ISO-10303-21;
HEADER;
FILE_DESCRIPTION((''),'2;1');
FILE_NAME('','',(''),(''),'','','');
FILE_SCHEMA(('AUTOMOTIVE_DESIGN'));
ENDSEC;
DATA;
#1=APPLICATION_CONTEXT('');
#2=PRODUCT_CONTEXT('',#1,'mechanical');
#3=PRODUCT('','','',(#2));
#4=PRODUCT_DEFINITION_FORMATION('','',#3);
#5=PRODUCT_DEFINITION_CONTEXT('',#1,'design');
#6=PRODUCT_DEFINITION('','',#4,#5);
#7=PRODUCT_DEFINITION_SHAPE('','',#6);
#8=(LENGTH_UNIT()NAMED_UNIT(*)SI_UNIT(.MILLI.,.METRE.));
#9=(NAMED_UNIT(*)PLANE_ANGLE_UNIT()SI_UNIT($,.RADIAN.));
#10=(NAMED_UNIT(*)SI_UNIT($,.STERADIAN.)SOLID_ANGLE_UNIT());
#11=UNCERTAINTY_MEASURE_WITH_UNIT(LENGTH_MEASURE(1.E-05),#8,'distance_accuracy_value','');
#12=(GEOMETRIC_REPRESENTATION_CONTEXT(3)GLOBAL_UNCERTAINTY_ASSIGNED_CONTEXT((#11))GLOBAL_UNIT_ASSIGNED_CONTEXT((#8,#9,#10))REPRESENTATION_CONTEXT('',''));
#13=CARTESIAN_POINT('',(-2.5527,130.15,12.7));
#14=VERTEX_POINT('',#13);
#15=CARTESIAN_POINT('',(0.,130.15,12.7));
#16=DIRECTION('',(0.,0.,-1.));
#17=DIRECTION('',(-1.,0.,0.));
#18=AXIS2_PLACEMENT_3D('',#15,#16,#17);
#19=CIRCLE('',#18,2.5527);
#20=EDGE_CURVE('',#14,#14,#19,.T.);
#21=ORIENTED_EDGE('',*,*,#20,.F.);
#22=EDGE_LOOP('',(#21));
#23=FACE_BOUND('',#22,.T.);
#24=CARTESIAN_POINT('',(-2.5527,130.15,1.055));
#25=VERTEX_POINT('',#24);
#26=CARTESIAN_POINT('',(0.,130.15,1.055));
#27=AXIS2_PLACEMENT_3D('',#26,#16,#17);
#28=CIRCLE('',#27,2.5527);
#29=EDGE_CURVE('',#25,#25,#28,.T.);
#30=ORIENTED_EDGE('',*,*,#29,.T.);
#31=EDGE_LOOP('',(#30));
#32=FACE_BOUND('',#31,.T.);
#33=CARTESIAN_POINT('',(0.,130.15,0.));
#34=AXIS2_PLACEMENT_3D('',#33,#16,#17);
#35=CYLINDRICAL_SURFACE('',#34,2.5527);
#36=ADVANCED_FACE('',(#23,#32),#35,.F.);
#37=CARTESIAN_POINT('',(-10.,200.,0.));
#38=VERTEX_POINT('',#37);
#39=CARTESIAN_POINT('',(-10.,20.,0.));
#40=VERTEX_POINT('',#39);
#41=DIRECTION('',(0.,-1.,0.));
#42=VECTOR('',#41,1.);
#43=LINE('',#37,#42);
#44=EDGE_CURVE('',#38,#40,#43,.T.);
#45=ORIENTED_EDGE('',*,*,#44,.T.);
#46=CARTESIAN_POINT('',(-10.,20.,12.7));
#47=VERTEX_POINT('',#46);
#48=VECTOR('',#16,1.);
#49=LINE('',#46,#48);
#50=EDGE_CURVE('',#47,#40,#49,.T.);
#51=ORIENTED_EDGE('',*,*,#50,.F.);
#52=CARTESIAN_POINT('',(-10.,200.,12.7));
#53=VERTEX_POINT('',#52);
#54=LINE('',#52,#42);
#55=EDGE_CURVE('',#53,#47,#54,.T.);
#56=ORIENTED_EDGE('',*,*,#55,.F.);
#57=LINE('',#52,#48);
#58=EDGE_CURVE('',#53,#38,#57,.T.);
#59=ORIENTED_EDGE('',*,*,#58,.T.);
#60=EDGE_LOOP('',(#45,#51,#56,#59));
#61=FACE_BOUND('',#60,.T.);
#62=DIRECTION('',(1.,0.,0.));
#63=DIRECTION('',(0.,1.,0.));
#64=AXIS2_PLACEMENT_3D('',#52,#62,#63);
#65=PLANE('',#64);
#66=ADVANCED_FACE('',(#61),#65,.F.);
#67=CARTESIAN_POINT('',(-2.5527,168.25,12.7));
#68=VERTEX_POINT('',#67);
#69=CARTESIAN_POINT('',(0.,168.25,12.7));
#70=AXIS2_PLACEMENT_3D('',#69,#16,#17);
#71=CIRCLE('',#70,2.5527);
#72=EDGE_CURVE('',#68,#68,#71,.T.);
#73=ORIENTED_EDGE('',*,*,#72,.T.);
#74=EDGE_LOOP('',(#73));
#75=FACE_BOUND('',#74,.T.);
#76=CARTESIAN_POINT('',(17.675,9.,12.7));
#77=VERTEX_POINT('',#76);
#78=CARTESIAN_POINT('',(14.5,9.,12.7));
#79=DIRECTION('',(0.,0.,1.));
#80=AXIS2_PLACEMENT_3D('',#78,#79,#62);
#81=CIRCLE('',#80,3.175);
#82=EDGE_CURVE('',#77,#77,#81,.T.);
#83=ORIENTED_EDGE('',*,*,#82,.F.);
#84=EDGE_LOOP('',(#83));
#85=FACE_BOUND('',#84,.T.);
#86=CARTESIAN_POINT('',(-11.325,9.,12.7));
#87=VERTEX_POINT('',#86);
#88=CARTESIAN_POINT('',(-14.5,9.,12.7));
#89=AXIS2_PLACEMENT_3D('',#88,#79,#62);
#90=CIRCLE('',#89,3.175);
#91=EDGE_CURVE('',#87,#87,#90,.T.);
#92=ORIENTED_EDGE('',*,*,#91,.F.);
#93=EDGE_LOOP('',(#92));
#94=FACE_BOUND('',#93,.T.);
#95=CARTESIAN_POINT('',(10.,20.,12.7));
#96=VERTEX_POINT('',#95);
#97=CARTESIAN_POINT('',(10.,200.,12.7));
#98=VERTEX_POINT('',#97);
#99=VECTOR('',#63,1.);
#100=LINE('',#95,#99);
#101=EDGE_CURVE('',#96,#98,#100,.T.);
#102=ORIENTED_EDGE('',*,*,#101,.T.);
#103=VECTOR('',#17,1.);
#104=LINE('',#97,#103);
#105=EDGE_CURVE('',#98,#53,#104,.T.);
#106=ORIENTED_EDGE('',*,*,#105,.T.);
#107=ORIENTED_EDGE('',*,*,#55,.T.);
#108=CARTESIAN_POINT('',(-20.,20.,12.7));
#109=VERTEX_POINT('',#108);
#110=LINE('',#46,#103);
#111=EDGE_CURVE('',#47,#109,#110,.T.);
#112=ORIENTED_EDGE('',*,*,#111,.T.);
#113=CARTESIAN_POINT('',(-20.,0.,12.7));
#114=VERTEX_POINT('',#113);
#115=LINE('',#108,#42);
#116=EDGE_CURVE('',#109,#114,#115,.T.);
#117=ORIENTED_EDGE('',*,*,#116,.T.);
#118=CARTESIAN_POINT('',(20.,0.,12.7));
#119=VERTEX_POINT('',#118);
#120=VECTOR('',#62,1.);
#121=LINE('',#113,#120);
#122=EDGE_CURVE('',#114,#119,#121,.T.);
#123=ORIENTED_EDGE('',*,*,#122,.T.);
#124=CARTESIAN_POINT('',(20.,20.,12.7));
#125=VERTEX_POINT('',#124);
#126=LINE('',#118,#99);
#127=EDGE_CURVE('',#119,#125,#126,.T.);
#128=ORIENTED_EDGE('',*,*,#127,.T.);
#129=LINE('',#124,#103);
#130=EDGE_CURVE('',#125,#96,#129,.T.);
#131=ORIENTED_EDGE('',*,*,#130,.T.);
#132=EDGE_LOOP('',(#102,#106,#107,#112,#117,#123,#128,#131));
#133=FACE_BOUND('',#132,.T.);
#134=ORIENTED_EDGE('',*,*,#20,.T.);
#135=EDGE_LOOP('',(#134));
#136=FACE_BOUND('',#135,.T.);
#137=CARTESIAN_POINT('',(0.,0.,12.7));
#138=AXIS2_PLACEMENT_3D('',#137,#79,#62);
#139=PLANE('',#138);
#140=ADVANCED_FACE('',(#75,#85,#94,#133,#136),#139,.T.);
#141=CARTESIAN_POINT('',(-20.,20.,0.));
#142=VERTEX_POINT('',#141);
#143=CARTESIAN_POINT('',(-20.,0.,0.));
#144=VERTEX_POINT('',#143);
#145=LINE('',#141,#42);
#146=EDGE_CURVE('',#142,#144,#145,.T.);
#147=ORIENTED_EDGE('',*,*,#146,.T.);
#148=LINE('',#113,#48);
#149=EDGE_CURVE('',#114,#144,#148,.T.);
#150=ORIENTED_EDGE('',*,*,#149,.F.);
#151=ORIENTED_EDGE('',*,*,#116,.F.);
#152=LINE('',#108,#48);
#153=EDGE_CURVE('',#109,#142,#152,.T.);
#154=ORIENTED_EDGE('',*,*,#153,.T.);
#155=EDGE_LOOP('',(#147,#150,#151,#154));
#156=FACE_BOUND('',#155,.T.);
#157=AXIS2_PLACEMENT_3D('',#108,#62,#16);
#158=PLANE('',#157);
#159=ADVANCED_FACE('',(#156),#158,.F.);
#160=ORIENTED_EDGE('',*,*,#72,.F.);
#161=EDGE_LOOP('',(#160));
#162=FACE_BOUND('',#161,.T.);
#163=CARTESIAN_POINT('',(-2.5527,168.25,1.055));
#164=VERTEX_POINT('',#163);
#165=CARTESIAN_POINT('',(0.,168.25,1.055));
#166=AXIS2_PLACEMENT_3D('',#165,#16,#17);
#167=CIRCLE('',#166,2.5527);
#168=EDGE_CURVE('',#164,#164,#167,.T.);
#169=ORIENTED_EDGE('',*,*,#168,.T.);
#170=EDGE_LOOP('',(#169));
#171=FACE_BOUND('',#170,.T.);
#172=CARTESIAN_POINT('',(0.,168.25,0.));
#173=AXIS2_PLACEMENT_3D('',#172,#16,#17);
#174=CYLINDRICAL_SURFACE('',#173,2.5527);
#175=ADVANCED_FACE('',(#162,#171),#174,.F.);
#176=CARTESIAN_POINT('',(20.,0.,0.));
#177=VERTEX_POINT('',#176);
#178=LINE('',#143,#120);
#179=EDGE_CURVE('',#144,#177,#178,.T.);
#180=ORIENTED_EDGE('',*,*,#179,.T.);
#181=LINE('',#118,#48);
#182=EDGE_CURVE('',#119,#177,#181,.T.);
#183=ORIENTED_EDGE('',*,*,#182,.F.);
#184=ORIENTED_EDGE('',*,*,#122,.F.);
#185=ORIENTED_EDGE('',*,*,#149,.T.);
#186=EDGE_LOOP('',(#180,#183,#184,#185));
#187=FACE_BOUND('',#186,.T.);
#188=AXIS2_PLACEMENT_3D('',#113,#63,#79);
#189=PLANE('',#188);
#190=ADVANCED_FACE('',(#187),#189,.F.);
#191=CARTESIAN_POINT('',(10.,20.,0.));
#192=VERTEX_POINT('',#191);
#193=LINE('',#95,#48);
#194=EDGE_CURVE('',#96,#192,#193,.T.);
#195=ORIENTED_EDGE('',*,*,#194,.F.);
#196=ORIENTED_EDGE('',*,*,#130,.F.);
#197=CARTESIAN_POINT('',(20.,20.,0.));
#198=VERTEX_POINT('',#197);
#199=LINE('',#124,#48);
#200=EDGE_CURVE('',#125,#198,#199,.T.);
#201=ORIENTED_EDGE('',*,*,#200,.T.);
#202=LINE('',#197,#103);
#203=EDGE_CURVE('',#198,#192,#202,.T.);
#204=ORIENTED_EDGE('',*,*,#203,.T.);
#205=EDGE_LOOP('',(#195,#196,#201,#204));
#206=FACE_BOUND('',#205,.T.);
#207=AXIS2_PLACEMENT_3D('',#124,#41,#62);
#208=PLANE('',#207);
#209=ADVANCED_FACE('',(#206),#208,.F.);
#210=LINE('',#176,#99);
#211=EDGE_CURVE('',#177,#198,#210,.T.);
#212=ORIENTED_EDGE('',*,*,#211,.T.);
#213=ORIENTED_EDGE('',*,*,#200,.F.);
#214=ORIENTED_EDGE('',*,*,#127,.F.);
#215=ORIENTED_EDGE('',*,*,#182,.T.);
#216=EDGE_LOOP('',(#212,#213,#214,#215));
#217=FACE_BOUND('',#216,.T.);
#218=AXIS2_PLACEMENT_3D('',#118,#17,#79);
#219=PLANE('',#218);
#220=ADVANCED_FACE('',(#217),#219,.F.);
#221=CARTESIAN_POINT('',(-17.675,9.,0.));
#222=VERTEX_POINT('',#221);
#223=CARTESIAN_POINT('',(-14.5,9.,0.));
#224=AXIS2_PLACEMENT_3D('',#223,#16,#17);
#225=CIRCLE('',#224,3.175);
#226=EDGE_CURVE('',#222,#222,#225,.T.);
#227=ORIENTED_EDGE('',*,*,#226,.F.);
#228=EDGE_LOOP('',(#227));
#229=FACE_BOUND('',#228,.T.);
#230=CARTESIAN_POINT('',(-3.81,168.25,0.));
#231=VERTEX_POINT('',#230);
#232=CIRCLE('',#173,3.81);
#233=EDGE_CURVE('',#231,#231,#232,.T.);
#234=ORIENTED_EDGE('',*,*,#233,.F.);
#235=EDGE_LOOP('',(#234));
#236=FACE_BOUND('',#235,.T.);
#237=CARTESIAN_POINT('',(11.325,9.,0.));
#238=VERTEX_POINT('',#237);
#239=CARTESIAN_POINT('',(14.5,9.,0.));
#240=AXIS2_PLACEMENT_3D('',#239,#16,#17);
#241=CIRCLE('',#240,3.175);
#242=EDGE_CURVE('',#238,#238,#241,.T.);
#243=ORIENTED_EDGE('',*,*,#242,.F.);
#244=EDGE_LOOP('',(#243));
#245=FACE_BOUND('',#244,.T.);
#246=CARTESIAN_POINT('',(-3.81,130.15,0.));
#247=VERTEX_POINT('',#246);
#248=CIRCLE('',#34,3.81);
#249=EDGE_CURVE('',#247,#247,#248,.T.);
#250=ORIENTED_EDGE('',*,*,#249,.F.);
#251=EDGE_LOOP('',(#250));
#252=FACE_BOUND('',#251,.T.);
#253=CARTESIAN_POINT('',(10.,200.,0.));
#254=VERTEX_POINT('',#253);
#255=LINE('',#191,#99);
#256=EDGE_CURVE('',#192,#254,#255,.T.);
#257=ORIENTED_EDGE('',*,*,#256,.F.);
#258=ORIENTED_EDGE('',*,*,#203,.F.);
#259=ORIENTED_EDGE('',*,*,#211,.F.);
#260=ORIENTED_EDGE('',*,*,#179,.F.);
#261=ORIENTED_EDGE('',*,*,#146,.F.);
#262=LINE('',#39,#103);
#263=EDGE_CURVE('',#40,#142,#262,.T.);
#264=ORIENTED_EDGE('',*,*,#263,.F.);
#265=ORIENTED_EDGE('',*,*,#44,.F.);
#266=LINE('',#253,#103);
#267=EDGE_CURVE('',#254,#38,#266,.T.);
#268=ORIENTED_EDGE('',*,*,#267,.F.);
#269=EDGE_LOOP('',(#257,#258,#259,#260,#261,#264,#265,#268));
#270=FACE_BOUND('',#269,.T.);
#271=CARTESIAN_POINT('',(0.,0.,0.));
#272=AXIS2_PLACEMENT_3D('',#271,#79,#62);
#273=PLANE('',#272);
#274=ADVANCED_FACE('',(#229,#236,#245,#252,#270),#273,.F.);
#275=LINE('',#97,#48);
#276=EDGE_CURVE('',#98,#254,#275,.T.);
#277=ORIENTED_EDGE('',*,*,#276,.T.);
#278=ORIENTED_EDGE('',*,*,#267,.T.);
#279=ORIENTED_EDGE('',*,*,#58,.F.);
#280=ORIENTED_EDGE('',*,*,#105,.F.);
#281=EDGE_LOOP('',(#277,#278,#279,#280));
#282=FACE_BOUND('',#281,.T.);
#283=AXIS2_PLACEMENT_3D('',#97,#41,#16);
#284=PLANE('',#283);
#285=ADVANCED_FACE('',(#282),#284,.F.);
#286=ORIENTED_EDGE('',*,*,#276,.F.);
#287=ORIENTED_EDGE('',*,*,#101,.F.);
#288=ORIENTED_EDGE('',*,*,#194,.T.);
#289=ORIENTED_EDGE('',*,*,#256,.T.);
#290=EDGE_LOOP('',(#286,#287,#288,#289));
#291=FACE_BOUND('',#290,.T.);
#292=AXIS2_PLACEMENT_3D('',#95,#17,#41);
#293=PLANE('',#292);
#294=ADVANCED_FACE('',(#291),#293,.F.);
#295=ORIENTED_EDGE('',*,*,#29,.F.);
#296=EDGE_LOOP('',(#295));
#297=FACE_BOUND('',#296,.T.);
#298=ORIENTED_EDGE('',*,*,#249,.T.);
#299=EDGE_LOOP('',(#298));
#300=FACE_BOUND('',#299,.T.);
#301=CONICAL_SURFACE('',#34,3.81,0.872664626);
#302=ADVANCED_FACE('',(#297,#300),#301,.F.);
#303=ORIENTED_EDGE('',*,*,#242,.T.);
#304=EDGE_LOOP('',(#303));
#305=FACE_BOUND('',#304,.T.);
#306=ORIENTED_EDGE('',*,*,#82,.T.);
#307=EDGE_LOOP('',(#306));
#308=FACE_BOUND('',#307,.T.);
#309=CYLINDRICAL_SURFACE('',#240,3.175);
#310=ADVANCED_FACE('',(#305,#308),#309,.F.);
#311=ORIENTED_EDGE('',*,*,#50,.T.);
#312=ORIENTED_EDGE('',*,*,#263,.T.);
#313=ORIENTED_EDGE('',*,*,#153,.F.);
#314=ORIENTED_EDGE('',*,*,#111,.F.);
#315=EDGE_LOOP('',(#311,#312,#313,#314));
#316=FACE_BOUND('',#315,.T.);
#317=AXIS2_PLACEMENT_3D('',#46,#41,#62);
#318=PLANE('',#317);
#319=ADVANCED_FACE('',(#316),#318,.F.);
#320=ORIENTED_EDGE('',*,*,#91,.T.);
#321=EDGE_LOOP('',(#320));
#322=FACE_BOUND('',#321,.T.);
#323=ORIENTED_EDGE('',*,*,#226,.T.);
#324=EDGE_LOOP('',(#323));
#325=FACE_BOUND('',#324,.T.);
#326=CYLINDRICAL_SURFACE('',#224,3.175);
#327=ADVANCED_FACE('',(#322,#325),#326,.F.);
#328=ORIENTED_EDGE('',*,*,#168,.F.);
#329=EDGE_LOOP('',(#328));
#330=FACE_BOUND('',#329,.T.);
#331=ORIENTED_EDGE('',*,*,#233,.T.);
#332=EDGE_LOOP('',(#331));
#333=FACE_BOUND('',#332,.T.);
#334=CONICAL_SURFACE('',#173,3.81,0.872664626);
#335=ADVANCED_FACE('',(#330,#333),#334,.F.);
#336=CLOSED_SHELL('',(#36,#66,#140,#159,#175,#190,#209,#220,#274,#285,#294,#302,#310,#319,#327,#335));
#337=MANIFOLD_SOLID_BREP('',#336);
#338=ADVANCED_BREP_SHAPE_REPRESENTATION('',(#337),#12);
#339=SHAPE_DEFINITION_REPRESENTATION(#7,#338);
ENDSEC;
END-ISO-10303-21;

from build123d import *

# Parameters (mm, degrees)
BOSS_EXTRUDE1_DEPTH               = 12.7
F_1_4_20_TAPPED_HOLE1_D           = 5.1054
F_1_4_20_TAPPED_HOLE1_CSINK_D     = 7.62
F_1_4_20_TAPPED_HOLE1_CSINK_ANGLE = 100
F_1_4_0_25_DIAMETER_HOLE1_D       = 6.35
F_1_4_0_25_DIAMETER_HOLE1_DEPTH   = 19.05
F_1_4_0_25_DIAMETER_HOLE1_TIP     = 1.907732465


with BuildPart() as part:
    # Sketch1 → Boss-Extrude1 (new body)
    with BuildSketch(Plane.XY):
        Polygon((-20, 0), (20, 0), (20, 20), (10, 20), (10, 200), (-10, 200), (-10, 20), (-20, 20), align=None)
    extrude(amount=BOSS_EXTRUDE1_DEPTH)

    # 1/4-20 Tapped Hole1 (through all)
    with Locations(Plane(origin=(0, 0, 0), x_dir=(-1, 0, 0), z_dir=(0, 0, -1))):
        with Locations((0, 168.25), (0, 130.15)):
            CounterSinkHole(F_1_4_20_TAPPED_HOLE1_D / 2, F_1_4_20_TAPPED_HOLE1_CSINK_D / 2, counter_sink_angle=F_1_4_20_TAPPED_HOLE1_CSINK_ANGLE)

    # 1/4 (0.25) Diameter Hole1
    with Locations(Plane(origin=(0, 0, 0), x_dir=(-1, 0, 0), z_dir=(0, 0, -1))):
        with Locations((14.5, 9), (-14.5, 9)):
            Hole(F_1_4_0_25_DIAMETER_HOLE1_D / 2, depth=F_1_4_0_25_DIAMETER_HOLE1_DEPTH)
            with Locations((0, 0, -(F_1_4_0_25_DIAMETER_HOLE1_DEPTH + F_1_4_0_25_DIAMETER_HOLE1_TIP / 2))):  # 118° drill point
                Cone(0, F_1_4_0_25_DIAMETER_HOLE1_D / 2, F_1_4_0_25_DIAMETER_HOLE1_TIP, mode=Mode.SUBTRACT)


solid = part.part
